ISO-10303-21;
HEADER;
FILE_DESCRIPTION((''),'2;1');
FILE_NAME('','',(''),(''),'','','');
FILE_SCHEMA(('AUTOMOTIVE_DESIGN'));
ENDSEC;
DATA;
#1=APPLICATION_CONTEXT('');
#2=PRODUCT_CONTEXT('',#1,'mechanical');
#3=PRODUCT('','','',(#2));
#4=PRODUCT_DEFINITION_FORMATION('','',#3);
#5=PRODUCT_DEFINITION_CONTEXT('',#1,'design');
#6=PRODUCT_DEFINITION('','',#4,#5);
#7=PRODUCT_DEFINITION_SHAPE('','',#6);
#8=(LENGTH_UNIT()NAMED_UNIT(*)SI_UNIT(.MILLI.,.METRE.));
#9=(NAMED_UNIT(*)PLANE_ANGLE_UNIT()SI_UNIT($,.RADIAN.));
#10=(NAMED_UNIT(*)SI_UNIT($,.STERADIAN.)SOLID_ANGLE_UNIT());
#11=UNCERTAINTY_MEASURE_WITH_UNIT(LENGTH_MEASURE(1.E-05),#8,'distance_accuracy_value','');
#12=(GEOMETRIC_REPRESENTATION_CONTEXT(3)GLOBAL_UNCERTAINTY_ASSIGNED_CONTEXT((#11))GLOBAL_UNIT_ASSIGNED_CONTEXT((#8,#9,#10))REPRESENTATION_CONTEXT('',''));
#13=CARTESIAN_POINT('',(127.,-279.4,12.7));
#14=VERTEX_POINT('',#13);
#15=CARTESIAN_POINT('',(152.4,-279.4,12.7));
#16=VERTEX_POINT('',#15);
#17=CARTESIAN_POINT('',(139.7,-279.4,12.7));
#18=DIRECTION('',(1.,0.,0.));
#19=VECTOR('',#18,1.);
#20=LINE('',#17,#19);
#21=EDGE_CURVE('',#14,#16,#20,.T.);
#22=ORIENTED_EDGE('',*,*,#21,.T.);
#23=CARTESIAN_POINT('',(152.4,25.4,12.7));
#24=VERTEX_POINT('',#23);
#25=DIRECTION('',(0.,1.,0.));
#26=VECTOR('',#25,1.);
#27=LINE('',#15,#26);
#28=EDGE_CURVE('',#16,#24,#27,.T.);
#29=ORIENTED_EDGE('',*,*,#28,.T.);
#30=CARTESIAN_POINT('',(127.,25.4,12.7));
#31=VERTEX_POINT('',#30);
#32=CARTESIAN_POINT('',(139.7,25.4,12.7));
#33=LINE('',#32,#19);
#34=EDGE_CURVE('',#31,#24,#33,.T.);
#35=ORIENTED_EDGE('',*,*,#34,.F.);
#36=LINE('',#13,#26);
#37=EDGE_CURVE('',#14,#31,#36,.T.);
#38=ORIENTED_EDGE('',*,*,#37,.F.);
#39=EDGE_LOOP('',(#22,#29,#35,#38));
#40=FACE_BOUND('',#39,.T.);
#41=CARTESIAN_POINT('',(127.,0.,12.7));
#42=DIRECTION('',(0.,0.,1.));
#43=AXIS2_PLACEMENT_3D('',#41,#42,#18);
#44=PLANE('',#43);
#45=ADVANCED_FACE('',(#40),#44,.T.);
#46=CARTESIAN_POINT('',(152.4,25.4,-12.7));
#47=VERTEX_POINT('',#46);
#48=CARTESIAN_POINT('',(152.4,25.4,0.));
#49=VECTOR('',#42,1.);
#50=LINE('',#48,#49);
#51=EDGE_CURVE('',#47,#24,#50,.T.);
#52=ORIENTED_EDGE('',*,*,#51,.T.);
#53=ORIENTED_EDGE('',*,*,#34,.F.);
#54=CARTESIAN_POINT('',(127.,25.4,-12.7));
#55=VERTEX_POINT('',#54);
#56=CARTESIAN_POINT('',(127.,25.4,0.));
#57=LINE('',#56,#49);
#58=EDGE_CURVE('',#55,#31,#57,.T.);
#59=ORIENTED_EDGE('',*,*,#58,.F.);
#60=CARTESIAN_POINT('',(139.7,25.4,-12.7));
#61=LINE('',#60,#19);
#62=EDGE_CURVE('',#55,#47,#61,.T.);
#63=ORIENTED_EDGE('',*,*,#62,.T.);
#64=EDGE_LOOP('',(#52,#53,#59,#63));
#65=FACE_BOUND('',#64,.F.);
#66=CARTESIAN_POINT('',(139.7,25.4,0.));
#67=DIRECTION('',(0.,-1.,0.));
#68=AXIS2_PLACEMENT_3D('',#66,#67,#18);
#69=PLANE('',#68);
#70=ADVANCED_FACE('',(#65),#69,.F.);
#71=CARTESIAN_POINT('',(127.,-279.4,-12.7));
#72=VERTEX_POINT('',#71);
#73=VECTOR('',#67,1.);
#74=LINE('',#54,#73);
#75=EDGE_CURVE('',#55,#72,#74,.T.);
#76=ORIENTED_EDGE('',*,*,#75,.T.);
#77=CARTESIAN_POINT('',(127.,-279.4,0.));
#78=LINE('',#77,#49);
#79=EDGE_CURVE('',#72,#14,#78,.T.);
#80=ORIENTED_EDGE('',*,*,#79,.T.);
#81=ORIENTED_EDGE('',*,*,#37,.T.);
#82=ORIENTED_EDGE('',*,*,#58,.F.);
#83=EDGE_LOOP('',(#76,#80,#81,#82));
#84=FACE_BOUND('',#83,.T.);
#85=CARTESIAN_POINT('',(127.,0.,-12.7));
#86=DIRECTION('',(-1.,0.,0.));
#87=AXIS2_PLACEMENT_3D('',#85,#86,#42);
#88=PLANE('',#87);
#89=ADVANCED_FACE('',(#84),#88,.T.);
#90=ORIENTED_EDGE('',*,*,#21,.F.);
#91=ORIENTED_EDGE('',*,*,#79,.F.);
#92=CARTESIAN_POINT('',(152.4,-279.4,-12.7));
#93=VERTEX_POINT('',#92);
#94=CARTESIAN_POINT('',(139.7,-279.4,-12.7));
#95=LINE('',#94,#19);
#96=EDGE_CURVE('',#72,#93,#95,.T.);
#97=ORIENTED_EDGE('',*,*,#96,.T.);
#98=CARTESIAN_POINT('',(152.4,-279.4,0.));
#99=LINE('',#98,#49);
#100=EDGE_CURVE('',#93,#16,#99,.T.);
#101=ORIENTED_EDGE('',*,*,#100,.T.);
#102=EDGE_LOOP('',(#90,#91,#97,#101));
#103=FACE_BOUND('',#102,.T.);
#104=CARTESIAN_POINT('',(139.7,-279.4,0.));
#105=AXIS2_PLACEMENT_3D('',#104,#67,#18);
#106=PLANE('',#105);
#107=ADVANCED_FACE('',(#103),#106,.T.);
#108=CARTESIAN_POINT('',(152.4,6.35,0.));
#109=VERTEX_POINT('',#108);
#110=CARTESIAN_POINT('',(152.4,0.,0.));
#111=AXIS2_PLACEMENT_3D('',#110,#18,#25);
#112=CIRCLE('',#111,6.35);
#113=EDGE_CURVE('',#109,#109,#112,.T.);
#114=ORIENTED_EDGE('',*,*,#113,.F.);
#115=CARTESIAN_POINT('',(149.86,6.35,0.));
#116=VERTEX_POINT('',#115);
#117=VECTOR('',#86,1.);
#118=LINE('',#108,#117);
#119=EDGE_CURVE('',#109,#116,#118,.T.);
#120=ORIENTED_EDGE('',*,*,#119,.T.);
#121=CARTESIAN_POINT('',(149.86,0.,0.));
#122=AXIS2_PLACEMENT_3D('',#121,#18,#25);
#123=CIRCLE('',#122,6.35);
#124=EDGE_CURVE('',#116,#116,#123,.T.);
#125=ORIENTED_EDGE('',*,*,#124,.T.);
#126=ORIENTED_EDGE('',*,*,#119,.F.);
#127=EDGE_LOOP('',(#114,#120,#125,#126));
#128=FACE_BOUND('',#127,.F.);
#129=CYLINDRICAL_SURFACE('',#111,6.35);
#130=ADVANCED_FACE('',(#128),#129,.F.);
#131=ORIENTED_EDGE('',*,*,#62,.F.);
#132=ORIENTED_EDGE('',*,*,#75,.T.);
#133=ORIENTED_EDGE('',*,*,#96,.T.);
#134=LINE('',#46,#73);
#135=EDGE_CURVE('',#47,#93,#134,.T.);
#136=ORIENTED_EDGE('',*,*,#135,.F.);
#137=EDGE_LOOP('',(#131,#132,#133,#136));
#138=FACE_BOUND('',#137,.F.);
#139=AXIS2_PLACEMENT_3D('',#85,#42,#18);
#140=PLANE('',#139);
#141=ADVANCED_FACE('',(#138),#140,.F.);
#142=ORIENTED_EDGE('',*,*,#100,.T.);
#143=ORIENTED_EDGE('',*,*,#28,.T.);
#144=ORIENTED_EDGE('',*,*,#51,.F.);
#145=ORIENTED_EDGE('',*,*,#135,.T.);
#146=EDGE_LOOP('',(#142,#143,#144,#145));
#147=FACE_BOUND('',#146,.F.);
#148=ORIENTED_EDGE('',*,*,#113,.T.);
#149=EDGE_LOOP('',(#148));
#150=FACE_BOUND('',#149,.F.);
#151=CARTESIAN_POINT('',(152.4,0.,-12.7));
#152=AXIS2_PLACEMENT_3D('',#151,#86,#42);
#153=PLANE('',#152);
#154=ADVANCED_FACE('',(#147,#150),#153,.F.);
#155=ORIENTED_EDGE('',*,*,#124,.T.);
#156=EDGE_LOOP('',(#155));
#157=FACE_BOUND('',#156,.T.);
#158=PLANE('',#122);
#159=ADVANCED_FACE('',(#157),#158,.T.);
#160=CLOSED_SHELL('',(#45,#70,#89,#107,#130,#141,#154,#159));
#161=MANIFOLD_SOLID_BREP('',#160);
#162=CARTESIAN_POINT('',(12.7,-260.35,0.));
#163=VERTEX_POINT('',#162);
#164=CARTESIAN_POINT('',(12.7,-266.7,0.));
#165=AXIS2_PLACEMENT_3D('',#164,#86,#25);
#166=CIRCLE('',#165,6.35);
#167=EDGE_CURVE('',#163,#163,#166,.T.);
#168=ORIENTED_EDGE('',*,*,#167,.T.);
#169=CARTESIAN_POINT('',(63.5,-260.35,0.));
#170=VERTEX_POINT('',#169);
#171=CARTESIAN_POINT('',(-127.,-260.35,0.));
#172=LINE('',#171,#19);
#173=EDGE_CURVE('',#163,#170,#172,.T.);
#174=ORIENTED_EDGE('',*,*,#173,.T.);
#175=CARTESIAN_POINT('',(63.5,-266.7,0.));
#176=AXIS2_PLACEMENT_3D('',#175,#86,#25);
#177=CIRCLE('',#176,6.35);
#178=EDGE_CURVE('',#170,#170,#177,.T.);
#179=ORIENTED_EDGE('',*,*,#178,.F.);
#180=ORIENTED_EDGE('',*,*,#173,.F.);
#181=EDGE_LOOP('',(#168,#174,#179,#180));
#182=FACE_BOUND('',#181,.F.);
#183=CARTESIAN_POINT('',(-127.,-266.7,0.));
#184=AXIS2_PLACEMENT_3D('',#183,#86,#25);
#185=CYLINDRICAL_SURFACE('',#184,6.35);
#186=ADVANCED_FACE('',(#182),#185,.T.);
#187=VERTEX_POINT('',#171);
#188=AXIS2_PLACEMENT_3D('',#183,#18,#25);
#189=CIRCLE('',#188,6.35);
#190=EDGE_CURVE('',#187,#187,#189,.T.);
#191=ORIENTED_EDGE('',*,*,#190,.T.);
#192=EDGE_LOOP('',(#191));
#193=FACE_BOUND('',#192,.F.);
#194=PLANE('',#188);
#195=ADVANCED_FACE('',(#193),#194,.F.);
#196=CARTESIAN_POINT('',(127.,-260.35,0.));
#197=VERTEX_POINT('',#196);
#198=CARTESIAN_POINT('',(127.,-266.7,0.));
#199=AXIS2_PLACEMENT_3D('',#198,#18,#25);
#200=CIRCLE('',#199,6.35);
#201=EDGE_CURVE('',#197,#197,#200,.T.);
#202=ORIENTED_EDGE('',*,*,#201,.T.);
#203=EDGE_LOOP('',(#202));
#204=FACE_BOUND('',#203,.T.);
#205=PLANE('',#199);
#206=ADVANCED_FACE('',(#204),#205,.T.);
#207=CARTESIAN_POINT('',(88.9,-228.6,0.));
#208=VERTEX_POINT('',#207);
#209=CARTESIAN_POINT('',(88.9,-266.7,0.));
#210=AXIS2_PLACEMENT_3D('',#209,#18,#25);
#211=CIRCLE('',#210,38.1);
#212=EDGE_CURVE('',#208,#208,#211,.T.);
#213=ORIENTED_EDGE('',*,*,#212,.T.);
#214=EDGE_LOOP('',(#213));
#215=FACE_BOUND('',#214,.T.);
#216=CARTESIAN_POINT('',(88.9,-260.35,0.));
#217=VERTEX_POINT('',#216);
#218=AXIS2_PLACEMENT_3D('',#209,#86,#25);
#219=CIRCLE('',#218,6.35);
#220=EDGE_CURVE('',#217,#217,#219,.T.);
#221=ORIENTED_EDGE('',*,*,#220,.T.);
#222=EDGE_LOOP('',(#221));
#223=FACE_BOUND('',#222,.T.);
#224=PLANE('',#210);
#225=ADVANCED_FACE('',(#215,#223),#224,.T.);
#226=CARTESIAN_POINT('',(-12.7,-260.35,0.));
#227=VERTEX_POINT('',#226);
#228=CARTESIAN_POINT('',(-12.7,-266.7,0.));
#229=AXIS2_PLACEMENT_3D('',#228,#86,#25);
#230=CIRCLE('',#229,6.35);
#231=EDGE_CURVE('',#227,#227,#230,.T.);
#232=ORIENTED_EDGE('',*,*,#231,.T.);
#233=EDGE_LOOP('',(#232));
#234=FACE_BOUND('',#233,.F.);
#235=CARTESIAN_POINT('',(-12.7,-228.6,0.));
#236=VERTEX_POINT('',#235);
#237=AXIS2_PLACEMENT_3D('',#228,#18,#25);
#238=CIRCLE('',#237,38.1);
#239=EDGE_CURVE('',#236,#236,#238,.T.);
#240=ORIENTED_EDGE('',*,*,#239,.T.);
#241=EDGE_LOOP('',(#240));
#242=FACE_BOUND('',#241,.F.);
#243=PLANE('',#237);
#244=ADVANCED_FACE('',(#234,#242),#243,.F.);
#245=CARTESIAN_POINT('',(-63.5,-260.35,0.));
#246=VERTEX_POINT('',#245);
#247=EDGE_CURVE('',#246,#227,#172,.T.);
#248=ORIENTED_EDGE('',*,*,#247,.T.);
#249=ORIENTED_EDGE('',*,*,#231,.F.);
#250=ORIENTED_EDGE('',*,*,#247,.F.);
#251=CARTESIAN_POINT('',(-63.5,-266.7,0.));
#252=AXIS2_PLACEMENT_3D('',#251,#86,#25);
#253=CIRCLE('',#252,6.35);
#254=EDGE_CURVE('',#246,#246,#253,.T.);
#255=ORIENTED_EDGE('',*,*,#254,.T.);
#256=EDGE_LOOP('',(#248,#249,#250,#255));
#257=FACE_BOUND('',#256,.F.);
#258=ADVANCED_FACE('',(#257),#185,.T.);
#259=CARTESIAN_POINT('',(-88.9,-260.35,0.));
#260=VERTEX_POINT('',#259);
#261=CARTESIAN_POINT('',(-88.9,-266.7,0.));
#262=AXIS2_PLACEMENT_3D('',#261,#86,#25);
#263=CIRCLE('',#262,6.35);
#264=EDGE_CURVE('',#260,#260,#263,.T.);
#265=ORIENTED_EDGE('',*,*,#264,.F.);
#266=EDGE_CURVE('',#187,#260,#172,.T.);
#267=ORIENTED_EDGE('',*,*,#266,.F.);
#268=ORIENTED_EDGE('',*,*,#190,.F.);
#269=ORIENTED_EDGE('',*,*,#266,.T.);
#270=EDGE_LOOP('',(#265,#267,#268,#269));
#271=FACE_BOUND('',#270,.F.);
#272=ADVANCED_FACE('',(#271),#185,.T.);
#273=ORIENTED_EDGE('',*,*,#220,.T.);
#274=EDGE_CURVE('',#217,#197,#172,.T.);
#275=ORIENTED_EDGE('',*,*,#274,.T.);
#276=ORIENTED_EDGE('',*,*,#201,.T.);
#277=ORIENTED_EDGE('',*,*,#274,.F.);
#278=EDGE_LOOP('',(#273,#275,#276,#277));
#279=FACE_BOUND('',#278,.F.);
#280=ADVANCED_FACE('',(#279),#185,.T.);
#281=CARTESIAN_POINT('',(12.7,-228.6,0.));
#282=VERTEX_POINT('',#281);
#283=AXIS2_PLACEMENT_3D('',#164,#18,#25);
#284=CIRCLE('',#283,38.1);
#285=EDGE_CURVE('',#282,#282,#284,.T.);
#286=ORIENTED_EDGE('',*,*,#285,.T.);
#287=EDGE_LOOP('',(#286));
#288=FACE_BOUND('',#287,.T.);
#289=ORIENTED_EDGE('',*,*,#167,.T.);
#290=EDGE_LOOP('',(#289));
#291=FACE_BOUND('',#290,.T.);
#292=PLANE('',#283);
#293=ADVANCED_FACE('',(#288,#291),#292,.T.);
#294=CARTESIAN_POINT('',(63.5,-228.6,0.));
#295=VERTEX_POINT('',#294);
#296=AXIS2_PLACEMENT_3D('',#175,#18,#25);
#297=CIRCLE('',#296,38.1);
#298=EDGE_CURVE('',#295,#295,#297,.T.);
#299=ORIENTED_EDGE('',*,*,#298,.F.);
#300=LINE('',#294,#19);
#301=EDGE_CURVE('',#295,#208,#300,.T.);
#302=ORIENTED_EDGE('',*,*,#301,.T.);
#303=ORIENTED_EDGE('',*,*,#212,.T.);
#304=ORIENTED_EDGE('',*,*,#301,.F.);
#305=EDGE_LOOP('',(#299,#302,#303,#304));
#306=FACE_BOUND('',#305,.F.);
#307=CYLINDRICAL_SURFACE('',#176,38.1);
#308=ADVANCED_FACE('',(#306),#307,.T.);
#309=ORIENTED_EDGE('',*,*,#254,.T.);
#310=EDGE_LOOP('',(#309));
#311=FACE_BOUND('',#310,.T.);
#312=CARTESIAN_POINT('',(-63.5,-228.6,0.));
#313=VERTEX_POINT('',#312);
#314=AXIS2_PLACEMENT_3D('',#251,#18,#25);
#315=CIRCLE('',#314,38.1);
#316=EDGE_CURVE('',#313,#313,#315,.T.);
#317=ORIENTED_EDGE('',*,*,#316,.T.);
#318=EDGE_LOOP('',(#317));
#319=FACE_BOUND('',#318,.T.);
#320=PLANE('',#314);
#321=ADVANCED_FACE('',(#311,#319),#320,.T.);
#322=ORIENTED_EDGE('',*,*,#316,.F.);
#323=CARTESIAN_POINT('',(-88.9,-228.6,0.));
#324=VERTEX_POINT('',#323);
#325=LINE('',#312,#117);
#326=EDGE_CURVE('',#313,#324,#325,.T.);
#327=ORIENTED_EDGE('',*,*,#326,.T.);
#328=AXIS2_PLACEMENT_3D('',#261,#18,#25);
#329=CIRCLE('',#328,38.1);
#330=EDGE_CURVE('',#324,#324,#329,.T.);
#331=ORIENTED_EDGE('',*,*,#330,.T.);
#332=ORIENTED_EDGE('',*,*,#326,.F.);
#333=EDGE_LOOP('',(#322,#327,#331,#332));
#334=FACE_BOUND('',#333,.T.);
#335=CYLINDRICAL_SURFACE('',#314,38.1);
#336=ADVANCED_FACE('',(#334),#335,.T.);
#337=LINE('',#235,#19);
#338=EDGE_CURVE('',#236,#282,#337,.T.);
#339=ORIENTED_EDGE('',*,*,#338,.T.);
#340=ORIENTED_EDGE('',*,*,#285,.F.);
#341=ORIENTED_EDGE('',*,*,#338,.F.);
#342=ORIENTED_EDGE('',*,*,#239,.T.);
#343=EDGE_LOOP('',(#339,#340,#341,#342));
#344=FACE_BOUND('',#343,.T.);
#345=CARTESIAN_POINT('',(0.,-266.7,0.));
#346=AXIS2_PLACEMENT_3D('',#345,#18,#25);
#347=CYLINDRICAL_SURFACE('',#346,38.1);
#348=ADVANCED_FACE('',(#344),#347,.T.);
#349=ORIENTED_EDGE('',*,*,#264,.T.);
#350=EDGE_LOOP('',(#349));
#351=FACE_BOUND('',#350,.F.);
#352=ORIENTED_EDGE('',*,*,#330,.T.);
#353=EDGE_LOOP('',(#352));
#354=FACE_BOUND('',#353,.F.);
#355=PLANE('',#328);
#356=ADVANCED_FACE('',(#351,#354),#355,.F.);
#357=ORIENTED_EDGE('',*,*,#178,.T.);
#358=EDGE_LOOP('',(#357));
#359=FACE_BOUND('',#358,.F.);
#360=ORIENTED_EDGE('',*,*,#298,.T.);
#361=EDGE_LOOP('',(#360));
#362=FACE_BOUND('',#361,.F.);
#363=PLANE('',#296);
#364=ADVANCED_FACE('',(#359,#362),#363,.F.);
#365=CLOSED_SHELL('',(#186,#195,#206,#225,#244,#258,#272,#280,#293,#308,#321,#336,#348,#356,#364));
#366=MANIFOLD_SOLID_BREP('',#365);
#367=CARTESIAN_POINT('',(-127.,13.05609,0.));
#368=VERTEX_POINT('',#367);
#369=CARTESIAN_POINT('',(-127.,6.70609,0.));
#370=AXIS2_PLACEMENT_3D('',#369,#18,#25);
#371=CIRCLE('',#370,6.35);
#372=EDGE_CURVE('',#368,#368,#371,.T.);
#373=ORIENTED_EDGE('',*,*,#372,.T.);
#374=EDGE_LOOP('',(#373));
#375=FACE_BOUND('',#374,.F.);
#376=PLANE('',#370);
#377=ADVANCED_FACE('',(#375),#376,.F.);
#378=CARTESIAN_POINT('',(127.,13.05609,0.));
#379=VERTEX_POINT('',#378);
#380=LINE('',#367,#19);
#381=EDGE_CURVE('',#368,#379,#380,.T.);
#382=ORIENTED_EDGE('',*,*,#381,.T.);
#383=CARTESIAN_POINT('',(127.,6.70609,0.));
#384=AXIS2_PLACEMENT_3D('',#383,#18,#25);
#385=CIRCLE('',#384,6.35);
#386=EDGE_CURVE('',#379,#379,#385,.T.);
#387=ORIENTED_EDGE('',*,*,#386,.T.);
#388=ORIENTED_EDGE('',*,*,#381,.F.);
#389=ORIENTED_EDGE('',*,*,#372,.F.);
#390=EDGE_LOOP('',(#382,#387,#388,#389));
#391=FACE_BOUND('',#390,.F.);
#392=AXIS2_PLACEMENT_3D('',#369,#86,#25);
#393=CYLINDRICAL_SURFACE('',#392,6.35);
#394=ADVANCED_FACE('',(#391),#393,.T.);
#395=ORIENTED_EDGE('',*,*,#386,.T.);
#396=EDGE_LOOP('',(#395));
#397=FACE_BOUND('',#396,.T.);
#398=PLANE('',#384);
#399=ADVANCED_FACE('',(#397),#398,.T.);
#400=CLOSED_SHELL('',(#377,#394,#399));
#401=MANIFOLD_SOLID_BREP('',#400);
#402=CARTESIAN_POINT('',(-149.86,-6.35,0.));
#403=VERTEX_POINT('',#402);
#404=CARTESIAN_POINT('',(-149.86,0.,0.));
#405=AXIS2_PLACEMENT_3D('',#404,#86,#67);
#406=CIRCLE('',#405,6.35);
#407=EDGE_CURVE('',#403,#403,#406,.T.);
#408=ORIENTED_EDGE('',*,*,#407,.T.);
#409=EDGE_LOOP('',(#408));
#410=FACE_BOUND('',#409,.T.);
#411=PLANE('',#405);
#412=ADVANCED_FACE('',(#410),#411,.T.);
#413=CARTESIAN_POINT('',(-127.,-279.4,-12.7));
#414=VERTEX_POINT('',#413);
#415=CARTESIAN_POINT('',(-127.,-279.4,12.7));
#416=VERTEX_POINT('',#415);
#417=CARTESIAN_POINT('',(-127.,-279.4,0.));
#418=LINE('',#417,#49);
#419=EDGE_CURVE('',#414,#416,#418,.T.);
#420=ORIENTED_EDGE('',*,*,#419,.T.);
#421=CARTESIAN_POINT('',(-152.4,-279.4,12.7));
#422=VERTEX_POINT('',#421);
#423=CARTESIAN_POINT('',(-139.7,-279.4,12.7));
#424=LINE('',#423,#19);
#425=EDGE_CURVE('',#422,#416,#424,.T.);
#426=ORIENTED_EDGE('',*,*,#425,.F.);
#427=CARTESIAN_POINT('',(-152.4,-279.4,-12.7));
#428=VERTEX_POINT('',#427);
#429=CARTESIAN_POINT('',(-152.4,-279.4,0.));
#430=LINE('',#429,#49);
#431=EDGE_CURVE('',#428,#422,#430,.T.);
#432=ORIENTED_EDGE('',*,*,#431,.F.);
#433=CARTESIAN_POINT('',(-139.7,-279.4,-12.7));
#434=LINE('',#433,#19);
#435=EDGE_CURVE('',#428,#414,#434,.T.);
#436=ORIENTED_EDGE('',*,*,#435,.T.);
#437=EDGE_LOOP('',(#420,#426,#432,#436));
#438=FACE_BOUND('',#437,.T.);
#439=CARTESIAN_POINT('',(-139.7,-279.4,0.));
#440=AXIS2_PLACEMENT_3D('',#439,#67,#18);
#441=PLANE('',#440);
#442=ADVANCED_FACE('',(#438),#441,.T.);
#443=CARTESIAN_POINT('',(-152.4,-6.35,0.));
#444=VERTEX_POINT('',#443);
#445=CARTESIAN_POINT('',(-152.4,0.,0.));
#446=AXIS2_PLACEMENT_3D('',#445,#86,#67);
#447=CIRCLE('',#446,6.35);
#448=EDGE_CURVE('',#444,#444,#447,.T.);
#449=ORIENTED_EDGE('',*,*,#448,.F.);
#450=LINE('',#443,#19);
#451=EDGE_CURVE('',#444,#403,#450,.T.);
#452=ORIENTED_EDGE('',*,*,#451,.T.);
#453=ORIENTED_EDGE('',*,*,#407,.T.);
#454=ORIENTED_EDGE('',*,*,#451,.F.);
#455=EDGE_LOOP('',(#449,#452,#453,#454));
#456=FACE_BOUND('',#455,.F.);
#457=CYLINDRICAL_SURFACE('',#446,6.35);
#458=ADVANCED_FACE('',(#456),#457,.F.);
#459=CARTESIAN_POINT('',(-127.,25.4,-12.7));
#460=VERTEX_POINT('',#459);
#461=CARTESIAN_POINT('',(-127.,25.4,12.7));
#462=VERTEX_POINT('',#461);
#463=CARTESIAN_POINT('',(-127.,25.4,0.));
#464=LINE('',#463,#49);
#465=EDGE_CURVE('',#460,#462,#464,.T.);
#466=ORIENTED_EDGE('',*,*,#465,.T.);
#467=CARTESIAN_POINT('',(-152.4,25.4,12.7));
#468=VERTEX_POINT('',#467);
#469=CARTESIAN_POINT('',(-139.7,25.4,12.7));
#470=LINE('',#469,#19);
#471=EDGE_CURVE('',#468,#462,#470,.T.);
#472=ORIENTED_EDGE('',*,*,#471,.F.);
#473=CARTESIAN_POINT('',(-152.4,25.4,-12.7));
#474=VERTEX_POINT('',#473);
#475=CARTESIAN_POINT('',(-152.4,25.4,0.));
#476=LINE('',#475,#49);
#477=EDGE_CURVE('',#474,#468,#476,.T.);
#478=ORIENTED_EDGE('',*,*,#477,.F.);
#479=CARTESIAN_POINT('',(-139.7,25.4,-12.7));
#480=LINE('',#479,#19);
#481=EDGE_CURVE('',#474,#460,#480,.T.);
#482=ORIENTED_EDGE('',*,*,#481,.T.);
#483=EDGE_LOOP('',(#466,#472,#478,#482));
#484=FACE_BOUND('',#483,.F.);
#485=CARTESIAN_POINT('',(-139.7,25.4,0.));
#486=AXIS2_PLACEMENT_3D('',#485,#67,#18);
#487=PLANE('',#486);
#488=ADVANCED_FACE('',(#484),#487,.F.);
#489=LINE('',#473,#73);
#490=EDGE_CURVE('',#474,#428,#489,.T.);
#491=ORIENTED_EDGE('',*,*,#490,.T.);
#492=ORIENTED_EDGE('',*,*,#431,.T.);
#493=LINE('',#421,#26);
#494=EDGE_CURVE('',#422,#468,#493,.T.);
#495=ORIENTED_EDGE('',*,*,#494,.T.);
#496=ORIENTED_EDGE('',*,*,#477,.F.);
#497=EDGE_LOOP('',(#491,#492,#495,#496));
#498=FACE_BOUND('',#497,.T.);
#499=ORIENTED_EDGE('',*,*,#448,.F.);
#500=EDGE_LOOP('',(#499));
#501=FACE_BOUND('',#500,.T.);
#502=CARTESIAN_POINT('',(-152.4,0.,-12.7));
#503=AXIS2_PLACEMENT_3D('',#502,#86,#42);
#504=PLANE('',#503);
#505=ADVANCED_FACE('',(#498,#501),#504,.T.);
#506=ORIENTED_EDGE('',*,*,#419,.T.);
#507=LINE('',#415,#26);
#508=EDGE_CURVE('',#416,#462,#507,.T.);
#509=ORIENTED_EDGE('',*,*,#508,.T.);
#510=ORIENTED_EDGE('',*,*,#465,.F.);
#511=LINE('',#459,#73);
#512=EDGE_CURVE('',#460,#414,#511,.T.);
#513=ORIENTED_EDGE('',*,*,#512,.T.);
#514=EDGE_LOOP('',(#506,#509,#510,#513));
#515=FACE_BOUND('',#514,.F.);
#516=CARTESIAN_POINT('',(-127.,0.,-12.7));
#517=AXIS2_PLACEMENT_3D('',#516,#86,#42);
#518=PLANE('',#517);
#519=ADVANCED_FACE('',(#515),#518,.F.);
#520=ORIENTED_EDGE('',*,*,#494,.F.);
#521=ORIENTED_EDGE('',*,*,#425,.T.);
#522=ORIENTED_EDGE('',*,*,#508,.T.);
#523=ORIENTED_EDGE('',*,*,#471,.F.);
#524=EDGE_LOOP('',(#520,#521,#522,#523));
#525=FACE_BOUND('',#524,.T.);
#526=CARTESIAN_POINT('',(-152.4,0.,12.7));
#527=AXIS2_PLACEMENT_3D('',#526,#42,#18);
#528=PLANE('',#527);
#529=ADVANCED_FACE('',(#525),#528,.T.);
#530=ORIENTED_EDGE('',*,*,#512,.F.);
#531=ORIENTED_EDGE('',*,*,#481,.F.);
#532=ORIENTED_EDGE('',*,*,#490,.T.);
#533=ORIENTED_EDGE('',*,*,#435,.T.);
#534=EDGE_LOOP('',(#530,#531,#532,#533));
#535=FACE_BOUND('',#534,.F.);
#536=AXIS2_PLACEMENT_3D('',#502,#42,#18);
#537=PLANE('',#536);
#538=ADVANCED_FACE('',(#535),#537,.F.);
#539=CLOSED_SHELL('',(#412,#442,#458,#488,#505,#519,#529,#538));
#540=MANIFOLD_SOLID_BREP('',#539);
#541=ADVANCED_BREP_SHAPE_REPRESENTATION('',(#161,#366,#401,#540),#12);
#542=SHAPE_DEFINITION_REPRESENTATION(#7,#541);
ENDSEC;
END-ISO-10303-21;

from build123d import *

# Parameters (mm, degrees)
F0_W           = 25.4
F0_H           = 25.4
F1_DEPTH       = 25.4
F1_DEPTH_BACK  = 279.4
F2_R           = 6.35
F4_DEPTH       = 2.54
F3_R           = 6.35
F5_DEPTH       = 2.54
F6_R           = 6.35
F7_DEPTH       = 254
F8_R           = 6.35
F9_DEPTH       = 254
F11_START      = 63.5
F10_R          = 38.1
F11_DEPTH      = 25.4
F13_START      = -63.5
F12_R          = 38.1
F13_DEPTH      = 25.4
F14_R          = 38.1
F15_DEPTH      = 12.7
F15_DEPTH_BACK = 12.7


with BuildPart() as f1:
    # F0 (on Front) → F1 (new body, two sides)
    with BuildSketch(Plane.XZ) as f1_sk:
        with Locations((-139.7, 0)):
            Rectangle(F0_W, F0_H)
    extrude(amount=-F1_DEPTH)
    extrude(f1_sk.sketch, amount=F1_DEPTH_BACK)

    # F2 (on face) → F4 (cut)
    with BuildSketch(Plane(origin=(-152.4, 0, 0), x_dir=(0, -1, 0), z_dir=(-1, 0, 0))):
        Circle(F2_R)
    extrude(amount=-F4_DEPTH, mode=Mode.SUBTRACT)


with BuildPart() as f1b:
    # F0 (on Front) → F1, piece 2 (new body, two sides)
    with BuildSketch(Plane.XZ) as f1_2_sk:
        with Locations((139.7, 0)):
            Rectangle(F0_W, F0_H)
    extrude(amount=-F1_DEPTH)
    extrude(f1_2_sk.sketch, amount=F1_DEPTH_BACK)

    # F3 (on face) → F5 (cut)
    with BuildSketch(Plane.YZ.offset(152.4)):
        Circle(F3_R)
    extrude(amount=-F5_DEPTH, mode=Mode.SUBTRACT)


with BuildPart() as f7:
    # F6 (on face) → F7 (new body)
    with BuildSketch(Plane.YZ.offset(-127)):
        with Locations((6.7060901317, 0)):
            Circle(F6_R)
    extrude(amount=F7_DEPTH)


with BuildPart() as f9:
    # F8 (on face) → F9 (new body)
    with BuildSketch(Plane.YZ.offset(-127)):
        with Locations((-266.7, 0)):
            Circle(F8_R)
    extrude(amount=F9_DEPTH)

    # F10 (on Right) → F11 (join)
    with BuildSketch(Plane.YZ.offset(F11_START)):
        with Locations((-266.7, 0)):
            Circle(F10_R)
    extrude(amount=F11_DEPTH)

    # F12 (on Right) → F13 (join)
    with BuildSketch(Plane.YZ.offset(F13_START)):
        with Locations((-266.7, 0)):
            Circle(F12_R)
    extrude(amount=-F13_DEPTH)

    # F14 (on Right) → F15 (join, two sides)
    with BuildSketch(Plane.YZ) as f15_sk:
        with Locations((-266.7, 0)):
            Circle(F14_R)
    extrude(amount=F15_DEPTH)
    extrude(f15_sk.sketch, amount=-F15_DEPTH_BACK)


solid = Compound([f1.part, f1b.part, f7.part, f9.part])
